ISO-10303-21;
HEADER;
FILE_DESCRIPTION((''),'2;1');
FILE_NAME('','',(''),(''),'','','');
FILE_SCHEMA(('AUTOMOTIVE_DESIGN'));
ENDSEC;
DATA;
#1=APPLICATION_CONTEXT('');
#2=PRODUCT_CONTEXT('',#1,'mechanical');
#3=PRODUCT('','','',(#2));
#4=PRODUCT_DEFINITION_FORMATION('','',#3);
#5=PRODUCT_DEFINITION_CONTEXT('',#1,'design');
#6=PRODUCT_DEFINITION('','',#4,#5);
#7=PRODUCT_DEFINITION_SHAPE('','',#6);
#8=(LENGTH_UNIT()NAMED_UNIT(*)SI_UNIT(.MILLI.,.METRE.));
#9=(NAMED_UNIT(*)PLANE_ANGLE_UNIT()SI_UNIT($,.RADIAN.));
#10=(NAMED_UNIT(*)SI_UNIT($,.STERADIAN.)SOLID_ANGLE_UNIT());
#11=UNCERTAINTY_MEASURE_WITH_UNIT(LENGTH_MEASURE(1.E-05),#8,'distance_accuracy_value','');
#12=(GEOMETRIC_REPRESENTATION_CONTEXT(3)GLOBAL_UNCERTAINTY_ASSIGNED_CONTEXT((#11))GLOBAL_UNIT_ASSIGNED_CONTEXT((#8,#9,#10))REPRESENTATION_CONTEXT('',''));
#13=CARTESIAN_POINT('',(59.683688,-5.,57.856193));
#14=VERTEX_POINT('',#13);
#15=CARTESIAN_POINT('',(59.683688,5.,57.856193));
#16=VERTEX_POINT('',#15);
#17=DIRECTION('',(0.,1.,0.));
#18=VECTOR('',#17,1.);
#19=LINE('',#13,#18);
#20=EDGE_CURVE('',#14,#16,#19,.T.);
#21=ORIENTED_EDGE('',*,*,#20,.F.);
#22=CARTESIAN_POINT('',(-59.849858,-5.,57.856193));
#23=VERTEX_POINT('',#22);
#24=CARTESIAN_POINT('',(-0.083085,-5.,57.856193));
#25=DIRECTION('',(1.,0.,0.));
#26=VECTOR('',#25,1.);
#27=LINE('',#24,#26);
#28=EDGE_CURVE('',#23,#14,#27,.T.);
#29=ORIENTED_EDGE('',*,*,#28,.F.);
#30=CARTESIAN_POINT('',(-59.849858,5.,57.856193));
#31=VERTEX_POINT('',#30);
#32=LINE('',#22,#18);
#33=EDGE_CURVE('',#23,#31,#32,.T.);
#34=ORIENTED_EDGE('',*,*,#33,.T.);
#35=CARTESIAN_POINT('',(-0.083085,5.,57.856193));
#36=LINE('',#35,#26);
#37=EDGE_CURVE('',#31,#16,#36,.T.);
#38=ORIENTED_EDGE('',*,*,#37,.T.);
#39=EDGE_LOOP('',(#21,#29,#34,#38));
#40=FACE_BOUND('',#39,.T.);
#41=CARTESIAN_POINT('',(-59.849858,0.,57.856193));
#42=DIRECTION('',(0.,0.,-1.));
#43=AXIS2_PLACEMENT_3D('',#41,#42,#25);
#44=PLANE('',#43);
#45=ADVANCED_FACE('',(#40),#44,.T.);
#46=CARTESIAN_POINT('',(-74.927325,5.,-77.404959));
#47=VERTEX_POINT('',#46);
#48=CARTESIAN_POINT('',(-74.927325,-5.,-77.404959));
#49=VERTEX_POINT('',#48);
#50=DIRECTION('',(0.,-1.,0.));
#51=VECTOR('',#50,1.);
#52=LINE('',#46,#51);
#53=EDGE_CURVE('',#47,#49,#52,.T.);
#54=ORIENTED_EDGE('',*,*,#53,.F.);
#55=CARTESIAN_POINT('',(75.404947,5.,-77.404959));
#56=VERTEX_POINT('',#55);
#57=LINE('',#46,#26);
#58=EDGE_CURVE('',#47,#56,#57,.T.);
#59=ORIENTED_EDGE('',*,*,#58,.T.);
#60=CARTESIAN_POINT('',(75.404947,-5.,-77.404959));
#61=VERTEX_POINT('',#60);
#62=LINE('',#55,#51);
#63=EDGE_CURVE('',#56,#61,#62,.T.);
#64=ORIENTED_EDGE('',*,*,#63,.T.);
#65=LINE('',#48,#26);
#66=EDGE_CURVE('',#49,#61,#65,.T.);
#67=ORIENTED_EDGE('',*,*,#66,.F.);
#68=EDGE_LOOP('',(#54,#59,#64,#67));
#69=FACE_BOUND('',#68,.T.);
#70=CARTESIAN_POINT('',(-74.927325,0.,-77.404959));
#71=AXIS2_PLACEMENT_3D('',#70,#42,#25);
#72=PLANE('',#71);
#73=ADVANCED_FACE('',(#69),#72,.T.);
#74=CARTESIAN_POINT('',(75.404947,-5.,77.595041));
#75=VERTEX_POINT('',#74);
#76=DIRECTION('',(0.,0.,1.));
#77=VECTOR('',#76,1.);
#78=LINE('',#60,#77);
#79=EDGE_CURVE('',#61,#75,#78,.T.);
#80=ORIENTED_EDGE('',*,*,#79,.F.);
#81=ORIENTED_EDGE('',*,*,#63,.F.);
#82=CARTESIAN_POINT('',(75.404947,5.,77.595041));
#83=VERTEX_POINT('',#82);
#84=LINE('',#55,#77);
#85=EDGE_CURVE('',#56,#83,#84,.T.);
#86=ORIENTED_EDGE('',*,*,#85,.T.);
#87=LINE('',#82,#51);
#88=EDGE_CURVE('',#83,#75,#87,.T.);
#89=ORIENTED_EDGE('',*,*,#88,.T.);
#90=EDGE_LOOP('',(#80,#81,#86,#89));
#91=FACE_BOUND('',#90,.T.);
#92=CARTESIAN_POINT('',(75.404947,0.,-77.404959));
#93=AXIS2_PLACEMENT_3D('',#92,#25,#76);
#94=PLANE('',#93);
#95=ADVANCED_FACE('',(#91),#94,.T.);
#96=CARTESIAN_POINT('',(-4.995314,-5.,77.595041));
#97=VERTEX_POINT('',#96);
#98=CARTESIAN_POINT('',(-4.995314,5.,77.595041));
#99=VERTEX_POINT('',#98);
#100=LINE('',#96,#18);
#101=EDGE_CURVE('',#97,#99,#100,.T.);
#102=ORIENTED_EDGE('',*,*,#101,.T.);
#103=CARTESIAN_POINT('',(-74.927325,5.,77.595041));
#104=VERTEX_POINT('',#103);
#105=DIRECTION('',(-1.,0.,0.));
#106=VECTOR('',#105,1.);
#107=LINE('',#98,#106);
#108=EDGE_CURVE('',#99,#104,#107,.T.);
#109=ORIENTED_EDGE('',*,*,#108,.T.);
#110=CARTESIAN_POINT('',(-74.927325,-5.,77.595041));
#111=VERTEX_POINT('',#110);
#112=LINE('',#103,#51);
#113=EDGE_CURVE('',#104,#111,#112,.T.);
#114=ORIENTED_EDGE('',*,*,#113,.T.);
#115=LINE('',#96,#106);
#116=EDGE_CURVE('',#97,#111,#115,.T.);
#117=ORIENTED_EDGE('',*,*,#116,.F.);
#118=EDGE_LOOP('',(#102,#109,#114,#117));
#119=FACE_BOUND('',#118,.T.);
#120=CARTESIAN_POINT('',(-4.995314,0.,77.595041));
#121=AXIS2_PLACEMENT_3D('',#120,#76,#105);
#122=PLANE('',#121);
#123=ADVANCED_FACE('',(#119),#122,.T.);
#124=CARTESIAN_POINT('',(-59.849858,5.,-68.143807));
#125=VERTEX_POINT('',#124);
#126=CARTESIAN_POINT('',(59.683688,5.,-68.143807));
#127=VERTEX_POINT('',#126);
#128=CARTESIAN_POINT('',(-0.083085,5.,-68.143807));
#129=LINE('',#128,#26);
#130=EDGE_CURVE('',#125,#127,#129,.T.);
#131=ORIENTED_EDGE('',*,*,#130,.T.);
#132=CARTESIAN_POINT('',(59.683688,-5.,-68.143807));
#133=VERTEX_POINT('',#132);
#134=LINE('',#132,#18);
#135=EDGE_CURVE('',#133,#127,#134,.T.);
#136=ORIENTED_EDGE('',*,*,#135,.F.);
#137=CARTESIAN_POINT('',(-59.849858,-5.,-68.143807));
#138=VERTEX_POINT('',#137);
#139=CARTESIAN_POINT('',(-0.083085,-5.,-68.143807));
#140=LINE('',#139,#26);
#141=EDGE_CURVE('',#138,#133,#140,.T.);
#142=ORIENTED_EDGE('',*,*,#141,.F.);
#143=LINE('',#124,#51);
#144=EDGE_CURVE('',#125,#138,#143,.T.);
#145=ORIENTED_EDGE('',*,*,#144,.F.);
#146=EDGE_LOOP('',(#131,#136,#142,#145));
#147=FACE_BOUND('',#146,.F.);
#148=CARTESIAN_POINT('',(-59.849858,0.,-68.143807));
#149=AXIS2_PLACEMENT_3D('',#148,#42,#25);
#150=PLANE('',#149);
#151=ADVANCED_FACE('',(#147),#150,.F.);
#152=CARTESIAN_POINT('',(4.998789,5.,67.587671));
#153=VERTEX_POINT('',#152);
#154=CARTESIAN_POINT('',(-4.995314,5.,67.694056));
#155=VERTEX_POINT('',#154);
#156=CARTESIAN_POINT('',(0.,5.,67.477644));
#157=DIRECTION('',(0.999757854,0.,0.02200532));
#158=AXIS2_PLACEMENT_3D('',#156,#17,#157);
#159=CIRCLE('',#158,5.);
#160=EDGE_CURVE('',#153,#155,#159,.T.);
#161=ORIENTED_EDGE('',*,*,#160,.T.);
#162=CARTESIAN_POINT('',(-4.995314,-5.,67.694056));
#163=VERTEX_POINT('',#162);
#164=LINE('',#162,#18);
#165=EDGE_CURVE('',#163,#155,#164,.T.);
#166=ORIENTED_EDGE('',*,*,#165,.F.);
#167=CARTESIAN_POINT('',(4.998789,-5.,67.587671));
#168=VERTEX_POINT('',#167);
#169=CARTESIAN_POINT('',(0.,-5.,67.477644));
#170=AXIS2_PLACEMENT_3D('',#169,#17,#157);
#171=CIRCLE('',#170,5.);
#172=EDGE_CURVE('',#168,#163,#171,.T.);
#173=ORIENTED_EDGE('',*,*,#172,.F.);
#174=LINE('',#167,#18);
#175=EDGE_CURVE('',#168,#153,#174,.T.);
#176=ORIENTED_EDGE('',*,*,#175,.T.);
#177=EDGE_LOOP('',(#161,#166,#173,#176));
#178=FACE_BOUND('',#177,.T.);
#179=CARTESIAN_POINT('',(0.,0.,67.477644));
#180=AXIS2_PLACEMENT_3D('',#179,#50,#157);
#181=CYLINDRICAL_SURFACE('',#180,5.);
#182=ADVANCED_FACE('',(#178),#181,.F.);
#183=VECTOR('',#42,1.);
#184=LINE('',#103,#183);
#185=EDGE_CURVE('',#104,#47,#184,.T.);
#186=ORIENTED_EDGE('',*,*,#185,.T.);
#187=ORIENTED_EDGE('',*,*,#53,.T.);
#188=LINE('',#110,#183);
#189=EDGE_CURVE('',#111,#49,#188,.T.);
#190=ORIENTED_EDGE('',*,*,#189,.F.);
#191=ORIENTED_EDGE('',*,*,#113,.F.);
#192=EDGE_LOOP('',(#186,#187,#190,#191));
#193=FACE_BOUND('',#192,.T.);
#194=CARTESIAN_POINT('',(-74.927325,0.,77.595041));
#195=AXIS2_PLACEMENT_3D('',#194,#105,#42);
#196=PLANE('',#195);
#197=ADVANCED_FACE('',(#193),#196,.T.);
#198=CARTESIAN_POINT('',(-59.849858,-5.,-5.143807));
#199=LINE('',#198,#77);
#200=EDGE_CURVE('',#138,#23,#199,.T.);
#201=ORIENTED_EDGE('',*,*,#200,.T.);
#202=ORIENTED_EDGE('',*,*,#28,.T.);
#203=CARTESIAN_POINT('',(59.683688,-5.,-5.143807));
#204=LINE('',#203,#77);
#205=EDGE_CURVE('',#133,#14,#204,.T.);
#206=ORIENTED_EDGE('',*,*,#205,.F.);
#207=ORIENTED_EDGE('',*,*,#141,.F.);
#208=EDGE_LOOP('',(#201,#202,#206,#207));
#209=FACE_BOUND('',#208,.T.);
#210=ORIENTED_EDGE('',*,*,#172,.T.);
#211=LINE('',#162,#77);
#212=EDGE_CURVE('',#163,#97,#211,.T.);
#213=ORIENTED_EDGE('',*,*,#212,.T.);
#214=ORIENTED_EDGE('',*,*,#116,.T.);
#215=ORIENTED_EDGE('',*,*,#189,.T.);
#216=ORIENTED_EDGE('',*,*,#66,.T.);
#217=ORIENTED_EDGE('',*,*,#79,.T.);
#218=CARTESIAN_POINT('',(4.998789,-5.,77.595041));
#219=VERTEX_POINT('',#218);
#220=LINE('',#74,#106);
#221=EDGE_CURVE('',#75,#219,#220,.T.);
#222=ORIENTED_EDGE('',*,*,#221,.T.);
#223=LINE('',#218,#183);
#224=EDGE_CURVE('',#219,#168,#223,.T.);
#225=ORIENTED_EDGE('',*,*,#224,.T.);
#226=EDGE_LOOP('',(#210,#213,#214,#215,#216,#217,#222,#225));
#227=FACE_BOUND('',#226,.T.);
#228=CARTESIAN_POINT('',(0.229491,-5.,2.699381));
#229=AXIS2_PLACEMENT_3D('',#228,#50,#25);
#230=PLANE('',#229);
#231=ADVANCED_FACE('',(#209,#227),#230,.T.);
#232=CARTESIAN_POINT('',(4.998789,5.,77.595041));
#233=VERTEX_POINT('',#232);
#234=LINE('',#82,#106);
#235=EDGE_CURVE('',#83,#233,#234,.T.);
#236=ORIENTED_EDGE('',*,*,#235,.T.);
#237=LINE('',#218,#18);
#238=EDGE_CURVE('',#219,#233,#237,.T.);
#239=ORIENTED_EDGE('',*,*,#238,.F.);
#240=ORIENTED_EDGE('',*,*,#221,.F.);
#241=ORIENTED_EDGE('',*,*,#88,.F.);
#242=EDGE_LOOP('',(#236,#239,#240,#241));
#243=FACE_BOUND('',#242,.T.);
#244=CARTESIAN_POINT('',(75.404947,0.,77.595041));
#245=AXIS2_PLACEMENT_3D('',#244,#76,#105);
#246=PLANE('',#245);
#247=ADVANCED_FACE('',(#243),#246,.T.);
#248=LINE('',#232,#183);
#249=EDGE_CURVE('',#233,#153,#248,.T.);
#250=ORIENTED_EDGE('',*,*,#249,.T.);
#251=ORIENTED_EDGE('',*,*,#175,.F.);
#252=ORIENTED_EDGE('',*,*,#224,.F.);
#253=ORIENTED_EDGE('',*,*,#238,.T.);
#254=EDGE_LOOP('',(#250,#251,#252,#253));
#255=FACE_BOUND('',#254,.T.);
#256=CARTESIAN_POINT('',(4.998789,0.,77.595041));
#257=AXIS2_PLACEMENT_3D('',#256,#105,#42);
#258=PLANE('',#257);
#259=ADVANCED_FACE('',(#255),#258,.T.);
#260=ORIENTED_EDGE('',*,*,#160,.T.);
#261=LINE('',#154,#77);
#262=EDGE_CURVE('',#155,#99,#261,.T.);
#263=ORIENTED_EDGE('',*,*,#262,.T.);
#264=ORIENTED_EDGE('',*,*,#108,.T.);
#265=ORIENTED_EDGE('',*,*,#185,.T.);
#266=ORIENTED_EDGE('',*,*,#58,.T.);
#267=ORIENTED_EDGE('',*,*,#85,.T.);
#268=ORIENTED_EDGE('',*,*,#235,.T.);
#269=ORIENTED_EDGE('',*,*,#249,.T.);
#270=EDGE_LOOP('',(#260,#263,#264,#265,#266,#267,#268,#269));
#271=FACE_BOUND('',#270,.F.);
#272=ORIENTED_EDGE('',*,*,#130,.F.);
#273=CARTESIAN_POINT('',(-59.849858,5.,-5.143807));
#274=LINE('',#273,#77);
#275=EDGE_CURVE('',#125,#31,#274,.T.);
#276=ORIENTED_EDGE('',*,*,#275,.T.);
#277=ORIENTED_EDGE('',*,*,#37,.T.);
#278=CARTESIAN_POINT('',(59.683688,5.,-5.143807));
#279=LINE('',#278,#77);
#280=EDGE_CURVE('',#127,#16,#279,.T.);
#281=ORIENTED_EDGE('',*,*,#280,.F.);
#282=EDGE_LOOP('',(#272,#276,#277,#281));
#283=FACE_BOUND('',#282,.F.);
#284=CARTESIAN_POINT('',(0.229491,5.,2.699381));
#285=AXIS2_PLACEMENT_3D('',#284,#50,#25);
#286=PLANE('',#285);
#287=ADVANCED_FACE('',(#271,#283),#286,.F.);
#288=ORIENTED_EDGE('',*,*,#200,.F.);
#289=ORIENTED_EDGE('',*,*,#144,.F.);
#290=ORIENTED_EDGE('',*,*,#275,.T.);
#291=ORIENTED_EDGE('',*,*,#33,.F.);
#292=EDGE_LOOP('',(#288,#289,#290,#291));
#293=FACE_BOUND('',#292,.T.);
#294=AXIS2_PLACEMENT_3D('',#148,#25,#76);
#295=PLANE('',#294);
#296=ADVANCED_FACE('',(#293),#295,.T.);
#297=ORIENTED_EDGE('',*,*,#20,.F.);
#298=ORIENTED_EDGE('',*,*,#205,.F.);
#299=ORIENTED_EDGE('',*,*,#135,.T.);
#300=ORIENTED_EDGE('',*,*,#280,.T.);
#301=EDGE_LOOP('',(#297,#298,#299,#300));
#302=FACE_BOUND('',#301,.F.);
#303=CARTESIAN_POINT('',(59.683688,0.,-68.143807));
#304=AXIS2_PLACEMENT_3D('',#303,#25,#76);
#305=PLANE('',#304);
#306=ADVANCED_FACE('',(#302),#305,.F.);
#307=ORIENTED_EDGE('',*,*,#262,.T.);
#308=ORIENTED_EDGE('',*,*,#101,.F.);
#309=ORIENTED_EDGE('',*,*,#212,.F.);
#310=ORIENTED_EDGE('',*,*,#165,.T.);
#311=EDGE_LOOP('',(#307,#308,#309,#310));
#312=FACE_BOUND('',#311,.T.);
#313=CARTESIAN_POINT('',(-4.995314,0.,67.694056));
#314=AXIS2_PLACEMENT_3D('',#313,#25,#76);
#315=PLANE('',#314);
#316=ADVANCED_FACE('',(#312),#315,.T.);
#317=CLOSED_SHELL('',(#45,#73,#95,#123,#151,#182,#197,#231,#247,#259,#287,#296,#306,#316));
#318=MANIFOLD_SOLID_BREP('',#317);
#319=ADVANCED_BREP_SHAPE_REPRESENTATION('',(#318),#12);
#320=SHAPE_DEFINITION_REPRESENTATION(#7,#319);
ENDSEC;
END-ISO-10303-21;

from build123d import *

# Parameters (mm, degrees)
F0_W     = 119.533546
F0_H     = 126
F1_DEPTH = 5


with BuildPart() as f1:
    # F0 (on Front) → F1 (new body, symmetric)
    with BuildSketch(Plane.XZ):
        with BuildLine():
            Line((-4.995314, 77.595041), (-74.927325, 77.595041))
            Line((-74.927325, 77.595041), (-74.927325, -77.404959))
            Line((-74.927325, -77.404959), (75.404947, -77.404959))
            Line((75.404947, -77.404959), (75.404947, 77.595041))
            Line((75.404947, 77.595041), (4.998789, 77.595041))
            Line((4.998789, 77.595041), (4.998789, 67.587671))
            ThreePointArc((4.998789, 67.587671), (-0.053221, 62.477928), (-4.995314, 67.694056))
            Line((-4.995314, 67.694056), (-4.995314, 77.595041))
        make_face()
        with Locations((-0.083085, -5.143807)):
            Rectangle(F0_W, F0_H, mode=Mode.SUBTRACT)
    extrude(amount=F1_DEPTH, both=True)


solid = f1.part
